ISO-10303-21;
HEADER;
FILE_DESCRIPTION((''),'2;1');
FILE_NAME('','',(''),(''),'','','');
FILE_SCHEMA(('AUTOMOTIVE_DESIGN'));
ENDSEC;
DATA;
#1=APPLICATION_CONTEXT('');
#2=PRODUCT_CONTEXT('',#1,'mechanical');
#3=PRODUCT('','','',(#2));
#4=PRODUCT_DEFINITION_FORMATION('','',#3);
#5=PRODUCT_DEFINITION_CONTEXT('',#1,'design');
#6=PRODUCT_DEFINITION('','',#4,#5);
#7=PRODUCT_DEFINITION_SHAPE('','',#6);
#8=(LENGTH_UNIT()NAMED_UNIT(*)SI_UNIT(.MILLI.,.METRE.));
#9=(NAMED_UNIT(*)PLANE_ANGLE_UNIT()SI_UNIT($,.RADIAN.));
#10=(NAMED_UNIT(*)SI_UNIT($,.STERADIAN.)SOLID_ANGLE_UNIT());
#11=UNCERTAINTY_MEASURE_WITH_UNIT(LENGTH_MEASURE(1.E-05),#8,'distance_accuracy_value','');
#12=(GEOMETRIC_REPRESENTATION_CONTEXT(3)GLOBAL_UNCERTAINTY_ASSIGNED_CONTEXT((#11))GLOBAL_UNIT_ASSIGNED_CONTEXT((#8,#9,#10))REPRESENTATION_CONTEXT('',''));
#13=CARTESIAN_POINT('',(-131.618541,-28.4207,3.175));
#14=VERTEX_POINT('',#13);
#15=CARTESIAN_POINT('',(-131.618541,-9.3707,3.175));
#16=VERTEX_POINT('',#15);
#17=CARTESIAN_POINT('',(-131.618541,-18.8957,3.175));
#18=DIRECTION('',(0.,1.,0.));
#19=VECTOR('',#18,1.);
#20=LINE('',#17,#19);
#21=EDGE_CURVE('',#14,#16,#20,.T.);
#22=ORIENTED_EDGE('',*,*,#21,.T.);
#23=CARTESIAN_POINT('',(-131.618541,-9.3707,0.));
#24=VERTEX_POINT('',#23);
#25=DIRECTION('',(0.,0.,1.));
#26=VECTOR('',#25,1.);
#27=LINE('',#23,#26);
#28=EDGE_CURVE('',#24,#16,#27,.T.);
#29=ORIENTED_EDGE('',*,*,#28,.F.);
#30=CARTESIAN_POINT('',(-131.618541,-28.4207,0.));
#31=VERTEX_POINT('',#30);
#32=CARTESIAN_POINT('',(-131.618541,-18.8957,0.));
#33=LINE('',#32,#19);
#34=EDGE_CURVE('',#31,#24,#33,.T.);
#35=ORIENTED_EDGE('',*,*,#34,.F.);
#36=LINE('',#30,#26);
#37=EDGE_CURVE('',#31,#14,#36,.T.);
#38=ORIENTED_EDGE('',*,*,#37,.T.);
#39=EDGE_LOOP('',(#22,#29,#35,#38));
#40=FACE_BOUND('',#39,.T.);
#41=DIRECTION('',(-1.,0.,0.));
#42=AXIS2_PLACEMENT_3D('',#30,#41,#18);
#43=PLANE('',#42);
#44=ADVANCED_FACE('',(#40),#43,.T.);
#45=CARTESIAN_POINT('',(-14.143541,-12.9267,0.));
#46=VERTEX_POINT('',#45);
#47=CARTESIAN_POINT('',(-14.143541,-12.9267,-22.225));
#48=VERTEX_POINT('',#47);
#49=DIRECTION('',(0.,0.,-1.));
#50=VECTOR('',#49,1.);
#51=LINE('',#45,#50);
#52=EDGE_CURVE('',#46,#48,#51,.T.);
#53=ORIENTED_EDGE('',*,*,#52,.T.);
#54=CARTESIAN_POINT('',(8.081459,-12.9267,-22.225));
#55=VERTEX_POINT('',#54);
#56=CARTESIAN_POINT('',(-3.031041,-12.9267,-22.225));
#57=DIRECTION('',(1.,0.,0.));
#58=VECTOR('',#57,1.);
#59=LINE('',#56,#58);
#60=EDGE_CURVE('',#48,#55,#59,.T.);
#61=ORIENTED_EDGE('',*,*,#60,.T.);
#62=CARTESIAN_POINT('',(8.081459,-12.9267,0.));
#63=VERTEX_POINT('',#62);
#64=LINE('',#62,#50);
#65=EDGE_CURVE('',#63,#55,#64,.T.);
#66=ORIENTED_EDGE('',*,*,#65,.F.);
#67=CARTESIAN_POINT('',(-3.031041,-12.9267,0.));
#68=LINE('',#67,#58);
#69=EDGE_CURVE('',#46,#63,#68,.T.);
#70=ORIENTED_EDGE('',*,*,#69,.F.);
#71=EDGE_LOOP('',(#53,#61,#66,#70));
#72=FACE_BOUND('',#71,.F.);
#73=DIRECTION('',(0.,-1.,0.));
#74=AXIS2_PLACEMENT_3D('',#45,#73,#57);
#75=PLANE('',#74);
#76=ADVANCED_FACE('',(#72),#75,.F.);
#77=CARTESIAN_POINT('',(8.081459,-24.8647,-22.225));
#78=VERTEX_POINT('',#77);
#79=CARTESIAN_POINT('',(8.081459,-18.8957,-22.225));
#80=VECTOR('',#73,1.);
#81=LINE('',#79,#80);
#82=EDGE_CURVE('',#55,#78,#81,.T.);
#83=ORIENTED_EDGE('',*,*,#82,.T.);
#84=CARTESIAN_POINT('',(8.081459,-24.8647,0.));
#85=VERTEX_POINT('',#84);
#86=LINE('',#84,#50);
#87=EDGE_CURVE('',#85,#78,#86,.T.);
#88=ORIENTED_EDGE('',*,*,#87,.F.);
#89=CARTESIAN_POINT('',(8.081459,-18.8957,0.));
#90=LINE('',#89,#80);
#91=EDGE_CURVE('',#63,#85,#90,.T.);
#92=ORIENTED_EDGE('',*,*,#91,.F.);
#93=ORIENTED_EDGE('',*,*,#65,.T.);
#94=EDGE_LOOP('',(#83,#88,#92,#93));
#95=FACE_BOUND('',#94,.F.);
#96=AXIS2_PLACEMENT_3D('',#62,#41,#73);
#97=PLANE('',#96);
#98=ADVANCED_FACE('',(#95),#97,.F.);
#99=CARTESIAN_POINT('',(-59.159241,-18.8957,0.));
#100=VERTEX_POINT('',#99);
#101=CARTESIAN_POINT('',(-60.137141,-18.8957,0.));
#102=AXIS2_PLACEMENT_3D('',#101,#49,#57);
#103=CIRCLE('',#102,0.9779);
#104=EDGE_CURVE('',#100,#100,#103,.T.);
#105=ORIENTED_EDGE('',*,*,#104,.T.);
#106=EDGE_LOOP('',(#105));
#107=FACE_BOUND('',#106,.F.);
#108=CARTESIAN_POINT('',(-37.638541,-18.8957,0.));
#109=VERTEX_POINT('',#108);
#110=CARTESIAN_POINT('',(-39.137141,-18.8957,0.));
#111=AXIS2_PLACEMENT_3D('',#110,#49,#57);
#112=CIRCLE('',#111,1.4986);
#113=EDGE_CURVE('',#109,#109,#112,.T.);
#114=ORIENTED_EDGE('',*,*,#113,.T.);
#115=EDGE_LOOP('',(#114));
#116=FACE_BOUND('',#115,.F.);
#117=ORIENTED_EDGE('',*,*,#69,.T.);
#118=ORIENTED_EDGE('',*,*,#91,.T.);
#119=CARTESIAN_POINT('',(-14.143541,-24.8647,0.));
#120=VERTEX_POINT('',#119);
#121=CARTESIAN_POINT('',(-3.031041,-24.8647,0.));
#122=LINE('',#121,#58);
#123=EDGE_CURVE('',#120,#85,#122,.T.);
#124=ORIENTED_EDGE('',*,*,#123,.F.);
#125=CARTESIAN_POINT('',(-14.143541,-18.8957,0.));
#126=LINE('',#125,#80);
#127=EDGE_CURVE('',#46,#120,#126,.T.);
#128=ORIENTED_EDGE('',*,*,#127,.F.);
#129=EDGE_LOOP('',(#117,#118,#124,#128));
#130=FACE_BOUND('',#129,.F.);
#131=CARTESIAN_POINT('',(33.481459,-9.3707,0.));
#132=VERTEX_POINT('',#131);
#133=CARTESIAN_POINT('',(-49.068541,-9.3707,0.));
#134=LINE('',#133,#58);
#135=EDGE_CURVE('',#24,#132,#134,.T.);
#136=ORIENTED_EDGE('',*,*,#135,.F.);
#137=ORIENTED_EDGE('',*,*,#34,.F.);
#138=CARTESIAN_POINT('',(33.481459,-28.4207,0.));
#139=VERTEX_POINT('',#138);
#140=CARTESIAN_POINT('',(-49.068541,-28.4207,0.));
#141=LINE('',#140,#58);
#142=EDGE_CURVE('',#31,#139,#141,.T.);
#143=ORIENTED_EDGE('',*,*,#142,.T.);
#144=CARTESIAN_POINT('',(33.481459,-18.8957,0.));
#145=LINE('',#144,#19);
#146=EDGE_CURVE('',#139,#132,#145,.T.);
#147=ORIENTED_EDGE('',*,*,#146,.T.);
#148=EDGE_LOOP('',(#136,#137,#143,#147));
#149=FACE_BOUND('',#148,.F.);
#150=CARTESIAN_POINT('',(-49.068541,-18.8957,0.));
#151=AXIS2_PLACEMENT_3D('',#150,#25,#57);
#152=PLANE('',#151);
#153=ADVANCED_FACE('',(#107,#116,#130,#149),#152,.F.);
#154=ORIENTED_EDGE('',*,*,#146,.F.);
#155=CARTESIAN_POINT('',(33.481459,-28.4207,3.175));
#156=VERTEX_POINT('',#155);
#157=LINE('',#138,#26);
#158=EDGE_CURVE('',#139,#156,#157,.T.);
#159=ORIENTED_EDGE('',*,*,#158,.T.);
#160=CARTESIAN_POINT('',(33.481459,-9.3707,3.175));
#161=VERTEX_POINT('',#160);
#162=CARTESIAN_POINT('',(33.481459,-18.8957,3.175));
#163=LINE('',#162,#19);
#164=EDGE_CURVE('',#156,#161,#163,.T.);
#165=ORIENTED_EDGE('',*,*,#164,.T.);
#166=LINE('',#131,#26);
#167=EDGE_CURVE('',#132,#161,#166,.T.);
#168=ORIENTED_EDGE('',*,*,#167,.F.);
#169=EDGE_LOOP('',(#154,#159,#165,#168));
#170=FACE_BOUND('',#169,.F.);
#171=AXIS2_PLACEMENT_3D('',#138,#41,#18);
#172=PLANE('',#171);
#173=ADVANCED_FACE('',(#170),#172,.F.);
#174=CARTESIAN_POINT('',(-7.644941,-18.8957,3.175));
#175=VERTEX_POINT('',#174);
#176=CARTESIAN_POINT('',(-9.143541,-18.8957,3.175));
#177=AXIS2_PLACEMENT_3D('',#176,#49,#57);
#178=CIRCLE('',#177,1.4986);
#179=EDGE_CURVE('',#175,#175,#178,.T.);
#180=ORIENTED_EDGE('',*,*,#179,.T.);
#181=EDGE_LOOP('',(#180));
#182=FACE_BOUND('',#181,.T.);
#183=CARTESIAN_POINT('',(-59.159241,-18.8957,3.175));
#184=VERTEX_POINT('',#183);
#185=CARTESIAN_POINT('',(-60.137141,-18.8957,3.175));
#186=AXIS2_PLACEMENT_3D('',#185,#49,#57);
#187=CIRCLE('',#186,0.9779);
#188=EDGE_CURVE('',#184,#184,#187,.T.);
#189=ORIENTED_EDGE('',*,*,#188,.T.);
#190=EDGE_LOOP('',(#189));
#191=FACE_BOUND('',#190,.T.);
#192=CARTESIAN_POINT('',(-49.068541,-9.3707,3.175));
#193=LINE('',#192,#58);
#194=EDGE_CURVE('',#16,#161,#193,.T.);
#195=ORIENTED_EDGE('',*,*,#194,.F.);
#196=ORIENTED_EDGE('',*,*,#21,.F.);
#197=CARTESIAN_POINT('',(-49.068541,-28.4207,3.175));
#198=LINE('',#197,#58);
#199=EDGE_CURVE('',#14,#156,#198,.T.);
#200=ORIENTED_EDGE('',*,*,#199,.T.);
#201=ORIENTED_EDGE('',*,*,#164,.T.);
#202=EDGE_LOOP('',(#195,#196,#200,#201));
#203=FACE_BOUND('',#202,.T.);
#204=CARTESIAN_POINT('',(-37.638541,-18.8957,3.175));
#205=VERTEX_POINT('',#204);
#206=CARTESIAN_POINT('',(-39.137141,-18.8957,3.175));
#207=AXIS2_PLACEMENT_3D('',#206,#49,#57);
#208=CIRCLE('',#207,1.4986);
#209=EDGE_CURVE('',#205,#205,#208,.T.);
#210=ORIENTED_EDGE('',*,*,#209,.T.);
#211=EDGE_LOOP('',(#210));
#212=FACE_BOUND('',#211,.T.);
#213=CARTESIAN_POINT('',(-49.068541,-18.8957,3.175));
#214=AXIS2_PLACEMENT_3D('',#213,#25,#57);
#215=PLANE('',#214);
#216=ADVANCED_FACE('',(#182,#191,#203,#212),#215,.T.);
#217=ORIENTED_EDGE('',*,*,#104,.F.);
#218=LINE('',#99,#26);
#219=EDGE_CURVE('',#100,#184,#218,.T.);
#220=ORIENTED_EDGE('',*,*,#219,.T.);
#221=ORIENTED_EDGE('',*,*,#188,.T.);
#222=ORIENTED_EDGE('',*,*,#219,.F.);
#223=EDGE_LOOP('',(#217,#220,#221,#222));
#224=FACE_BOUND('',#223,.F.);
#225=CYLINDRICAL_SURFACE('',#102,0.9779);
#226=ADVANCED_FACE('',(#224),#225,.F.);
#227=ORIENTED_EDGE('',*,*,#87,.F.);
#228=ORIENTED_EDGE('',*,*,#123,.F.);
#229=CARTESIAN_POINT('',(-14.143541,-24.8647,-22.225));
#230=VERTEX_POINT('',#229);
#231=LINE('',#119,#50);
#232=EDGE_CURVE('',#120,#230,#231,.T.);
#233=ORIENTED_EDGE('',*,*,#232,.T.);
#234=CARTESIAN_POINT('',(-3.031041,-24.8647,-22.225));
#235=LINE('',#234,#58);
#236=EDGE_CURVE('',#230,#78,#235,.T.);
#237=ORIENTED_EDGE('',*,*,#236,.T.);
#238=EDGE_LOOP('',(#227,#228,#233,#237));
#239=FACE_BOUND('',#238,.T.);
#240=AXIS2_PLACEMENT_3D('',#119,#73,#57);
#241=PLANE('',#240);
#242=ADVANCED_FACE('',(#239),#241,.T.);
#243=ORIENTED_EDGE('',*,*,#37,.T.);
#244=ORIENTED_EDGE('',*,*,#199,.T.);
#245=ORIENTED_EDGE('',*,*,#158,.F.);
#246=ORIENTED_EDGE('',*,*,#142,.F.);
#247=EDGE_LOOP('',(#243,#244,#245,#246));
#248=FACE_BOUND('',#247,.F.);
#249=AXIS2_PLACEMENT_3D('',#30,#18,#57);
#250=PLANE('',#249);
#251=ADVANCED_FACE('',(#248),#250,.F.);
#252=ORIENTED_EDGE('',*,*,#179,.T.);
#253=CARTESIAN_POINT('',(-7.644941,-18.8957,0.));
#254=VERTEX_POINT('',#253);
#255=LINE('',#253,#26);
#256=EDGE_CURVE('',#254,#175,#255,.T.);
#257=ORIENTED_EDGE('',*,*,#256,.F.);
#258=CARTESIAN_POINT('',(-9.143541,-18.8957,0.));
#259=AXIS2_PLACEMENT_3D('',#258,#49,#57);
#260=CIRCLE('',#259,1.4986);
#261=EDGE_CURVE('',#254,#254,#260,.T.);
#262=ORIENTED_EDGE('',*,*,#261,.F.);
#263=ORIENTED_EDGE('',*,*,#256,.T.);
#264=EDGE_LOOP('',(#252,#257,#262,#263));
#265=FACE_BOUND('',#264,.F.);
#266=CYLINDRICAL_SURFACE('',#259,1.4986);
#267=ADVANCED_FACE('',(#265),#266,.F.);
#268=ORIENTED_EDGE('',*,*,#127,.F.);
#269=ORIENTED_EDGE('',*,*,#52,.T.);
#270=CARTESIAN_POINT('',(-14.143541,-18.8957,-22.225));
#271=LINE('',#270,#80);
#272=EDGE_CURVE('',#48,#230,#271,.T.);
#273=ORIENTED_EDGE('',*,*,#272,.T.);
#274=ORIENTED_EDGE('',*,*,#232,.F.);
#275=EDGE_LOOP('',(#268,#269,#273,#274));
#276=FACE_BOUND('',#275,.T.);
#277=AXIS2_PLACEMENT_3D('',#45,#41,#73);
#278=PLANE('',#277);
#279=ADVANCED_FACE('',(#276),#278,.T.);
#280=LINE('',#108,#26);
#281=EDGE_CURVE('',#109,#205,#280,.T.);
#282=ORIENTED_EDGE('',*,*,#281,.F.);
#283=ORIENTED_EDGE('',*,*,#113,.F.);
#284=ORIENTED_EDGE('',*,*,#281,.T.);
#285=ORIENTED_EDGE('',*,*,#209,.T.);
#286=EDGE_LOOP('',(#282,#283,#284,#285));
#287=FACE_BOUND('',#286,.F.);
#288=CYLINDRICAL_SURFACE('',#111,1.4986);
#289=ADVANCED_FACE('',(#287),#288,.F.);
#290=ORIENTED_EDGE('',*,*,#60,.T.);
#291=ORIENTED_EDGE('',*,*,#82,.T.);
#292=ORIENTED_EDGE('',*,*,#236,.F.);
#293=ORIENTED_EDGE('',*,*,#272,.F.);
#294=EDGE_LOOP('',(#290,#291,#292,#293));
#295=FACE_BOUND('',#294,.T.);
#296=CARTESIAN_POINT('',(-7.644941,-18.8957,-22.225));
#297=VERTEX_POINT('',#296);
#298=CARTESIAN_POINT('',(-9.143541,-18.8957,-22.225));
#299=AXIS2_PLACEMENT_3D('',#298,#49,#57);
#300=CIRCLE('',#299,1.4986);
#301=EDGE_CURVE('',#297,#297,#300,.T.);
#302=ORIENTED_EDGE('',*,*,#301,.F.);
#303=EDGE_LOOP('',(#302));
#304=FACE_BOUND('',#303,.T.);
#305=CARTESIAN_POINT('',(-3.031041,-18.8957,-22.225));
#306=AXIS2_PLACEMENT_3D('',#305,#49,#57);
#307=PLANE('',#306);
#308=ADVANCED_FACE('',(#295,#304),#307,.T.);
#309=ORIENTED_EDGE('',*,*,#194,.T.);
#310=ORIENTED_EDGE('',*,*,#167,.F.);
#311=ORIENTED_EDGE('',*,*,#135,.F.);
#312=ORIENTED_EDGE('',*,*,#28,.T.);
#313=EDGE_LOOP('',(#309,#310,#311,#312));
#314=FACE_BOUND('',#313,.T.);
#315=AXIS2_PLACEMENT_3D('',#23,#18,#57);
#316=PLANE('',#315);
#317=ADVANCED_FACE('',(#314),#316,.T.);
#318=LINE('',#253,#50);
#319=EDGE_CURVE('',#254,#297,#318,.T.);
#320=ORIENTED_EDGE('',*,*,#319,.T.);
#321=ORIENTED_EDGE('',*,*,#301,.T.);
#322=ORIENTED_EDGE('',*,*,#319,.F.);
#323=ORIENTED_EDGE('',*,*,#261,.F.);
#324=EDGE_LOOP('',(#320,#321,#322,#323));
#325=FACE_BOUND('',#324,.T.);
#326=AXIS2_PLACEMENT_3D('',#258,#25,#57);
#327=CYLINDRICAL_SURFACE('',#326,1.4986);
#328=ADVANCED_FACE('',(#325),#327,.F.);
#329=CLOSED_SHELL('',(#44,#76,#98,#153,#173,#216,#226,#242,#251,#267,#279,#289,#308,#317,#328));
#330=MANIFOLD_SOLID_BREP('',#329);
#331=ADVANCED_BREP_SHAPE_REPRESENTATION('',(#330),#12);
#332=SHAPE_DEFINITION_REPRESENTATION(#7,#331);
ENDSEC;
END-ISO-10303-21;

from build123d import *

# Parameters (mm, degrees)
F0_W     = 165.1
F0_H     = 19.05
F1_DEPTH = 3.175
F2_R     = 1.4986
F3_DEPTH = 25.4
F2_R_2   = 0.9779
F4_DEPTH = 25.4
F5_DEPTH = 25.4
F2_W     = 22.225
F2_H     = 11.938
F6_DEPTH = 22.225


with BuildPart() as f1:
    # F0 (on Top) → F1 (new body)
    with BuildSketch(Plane.XY):
        with Locations((-49.068541, -18.8957)):
            Rectangle(F0_W, F0_H)
    extrude(amount=F1_DEPTH)

    # F2 (on face) → F3 (cut)
    with BuildSketch(Plane(origin=(0, 0, 0), x_dir=(1, 0, 0), z_dir=(0, 0, -1))):
        with Locations((-39.137141, 18.8957)):
            Circle(F2_R)
    extrude(amount=-F3_DEPTH, mode=Mode.SUBTRACT)

    # F2 (on face) → F4 (cut)
    with BuildSketch(Plane(origin=(0, 0, 0), x_dir=(1, 0, 0), z_dir=(0, 0, -1))):
        with Locations((-60.137141, 18.8957)):
            Circle(F2_R_2)
    extrude(amount=-F4_DEPTH, mode=Mode.SUBTRACT)

    # F2 (on face) → F5 (cut)
    with BuildSketch(Plane(origin=(0, 0, 0), x_dir=(1, 0, 0), z_dir=(0, 0, -1))):
        with Locations((-9.143541, 18.8957)):
            Circle(F2_R)
    extrude(amount=-F5_DEPTH, mode=Mode.SUBTRACT)

    # F2 (on face) → F6 (join)
    with BuildSketch(Plane(origin=(0, 0, 0), x_dir=(1, 0, 0), z_dir=(0, 0, -1))):
        with Locations((-3.031041, 18.8957)):
            Rectangle(F2_W, F2_H)
        with Locations((-9.143541, 18.8957)):
            Circle(F2_R, mode=Mode.SUBTRACT)
    extrude(amount=F6_DEPTH)


solid = f1.part
